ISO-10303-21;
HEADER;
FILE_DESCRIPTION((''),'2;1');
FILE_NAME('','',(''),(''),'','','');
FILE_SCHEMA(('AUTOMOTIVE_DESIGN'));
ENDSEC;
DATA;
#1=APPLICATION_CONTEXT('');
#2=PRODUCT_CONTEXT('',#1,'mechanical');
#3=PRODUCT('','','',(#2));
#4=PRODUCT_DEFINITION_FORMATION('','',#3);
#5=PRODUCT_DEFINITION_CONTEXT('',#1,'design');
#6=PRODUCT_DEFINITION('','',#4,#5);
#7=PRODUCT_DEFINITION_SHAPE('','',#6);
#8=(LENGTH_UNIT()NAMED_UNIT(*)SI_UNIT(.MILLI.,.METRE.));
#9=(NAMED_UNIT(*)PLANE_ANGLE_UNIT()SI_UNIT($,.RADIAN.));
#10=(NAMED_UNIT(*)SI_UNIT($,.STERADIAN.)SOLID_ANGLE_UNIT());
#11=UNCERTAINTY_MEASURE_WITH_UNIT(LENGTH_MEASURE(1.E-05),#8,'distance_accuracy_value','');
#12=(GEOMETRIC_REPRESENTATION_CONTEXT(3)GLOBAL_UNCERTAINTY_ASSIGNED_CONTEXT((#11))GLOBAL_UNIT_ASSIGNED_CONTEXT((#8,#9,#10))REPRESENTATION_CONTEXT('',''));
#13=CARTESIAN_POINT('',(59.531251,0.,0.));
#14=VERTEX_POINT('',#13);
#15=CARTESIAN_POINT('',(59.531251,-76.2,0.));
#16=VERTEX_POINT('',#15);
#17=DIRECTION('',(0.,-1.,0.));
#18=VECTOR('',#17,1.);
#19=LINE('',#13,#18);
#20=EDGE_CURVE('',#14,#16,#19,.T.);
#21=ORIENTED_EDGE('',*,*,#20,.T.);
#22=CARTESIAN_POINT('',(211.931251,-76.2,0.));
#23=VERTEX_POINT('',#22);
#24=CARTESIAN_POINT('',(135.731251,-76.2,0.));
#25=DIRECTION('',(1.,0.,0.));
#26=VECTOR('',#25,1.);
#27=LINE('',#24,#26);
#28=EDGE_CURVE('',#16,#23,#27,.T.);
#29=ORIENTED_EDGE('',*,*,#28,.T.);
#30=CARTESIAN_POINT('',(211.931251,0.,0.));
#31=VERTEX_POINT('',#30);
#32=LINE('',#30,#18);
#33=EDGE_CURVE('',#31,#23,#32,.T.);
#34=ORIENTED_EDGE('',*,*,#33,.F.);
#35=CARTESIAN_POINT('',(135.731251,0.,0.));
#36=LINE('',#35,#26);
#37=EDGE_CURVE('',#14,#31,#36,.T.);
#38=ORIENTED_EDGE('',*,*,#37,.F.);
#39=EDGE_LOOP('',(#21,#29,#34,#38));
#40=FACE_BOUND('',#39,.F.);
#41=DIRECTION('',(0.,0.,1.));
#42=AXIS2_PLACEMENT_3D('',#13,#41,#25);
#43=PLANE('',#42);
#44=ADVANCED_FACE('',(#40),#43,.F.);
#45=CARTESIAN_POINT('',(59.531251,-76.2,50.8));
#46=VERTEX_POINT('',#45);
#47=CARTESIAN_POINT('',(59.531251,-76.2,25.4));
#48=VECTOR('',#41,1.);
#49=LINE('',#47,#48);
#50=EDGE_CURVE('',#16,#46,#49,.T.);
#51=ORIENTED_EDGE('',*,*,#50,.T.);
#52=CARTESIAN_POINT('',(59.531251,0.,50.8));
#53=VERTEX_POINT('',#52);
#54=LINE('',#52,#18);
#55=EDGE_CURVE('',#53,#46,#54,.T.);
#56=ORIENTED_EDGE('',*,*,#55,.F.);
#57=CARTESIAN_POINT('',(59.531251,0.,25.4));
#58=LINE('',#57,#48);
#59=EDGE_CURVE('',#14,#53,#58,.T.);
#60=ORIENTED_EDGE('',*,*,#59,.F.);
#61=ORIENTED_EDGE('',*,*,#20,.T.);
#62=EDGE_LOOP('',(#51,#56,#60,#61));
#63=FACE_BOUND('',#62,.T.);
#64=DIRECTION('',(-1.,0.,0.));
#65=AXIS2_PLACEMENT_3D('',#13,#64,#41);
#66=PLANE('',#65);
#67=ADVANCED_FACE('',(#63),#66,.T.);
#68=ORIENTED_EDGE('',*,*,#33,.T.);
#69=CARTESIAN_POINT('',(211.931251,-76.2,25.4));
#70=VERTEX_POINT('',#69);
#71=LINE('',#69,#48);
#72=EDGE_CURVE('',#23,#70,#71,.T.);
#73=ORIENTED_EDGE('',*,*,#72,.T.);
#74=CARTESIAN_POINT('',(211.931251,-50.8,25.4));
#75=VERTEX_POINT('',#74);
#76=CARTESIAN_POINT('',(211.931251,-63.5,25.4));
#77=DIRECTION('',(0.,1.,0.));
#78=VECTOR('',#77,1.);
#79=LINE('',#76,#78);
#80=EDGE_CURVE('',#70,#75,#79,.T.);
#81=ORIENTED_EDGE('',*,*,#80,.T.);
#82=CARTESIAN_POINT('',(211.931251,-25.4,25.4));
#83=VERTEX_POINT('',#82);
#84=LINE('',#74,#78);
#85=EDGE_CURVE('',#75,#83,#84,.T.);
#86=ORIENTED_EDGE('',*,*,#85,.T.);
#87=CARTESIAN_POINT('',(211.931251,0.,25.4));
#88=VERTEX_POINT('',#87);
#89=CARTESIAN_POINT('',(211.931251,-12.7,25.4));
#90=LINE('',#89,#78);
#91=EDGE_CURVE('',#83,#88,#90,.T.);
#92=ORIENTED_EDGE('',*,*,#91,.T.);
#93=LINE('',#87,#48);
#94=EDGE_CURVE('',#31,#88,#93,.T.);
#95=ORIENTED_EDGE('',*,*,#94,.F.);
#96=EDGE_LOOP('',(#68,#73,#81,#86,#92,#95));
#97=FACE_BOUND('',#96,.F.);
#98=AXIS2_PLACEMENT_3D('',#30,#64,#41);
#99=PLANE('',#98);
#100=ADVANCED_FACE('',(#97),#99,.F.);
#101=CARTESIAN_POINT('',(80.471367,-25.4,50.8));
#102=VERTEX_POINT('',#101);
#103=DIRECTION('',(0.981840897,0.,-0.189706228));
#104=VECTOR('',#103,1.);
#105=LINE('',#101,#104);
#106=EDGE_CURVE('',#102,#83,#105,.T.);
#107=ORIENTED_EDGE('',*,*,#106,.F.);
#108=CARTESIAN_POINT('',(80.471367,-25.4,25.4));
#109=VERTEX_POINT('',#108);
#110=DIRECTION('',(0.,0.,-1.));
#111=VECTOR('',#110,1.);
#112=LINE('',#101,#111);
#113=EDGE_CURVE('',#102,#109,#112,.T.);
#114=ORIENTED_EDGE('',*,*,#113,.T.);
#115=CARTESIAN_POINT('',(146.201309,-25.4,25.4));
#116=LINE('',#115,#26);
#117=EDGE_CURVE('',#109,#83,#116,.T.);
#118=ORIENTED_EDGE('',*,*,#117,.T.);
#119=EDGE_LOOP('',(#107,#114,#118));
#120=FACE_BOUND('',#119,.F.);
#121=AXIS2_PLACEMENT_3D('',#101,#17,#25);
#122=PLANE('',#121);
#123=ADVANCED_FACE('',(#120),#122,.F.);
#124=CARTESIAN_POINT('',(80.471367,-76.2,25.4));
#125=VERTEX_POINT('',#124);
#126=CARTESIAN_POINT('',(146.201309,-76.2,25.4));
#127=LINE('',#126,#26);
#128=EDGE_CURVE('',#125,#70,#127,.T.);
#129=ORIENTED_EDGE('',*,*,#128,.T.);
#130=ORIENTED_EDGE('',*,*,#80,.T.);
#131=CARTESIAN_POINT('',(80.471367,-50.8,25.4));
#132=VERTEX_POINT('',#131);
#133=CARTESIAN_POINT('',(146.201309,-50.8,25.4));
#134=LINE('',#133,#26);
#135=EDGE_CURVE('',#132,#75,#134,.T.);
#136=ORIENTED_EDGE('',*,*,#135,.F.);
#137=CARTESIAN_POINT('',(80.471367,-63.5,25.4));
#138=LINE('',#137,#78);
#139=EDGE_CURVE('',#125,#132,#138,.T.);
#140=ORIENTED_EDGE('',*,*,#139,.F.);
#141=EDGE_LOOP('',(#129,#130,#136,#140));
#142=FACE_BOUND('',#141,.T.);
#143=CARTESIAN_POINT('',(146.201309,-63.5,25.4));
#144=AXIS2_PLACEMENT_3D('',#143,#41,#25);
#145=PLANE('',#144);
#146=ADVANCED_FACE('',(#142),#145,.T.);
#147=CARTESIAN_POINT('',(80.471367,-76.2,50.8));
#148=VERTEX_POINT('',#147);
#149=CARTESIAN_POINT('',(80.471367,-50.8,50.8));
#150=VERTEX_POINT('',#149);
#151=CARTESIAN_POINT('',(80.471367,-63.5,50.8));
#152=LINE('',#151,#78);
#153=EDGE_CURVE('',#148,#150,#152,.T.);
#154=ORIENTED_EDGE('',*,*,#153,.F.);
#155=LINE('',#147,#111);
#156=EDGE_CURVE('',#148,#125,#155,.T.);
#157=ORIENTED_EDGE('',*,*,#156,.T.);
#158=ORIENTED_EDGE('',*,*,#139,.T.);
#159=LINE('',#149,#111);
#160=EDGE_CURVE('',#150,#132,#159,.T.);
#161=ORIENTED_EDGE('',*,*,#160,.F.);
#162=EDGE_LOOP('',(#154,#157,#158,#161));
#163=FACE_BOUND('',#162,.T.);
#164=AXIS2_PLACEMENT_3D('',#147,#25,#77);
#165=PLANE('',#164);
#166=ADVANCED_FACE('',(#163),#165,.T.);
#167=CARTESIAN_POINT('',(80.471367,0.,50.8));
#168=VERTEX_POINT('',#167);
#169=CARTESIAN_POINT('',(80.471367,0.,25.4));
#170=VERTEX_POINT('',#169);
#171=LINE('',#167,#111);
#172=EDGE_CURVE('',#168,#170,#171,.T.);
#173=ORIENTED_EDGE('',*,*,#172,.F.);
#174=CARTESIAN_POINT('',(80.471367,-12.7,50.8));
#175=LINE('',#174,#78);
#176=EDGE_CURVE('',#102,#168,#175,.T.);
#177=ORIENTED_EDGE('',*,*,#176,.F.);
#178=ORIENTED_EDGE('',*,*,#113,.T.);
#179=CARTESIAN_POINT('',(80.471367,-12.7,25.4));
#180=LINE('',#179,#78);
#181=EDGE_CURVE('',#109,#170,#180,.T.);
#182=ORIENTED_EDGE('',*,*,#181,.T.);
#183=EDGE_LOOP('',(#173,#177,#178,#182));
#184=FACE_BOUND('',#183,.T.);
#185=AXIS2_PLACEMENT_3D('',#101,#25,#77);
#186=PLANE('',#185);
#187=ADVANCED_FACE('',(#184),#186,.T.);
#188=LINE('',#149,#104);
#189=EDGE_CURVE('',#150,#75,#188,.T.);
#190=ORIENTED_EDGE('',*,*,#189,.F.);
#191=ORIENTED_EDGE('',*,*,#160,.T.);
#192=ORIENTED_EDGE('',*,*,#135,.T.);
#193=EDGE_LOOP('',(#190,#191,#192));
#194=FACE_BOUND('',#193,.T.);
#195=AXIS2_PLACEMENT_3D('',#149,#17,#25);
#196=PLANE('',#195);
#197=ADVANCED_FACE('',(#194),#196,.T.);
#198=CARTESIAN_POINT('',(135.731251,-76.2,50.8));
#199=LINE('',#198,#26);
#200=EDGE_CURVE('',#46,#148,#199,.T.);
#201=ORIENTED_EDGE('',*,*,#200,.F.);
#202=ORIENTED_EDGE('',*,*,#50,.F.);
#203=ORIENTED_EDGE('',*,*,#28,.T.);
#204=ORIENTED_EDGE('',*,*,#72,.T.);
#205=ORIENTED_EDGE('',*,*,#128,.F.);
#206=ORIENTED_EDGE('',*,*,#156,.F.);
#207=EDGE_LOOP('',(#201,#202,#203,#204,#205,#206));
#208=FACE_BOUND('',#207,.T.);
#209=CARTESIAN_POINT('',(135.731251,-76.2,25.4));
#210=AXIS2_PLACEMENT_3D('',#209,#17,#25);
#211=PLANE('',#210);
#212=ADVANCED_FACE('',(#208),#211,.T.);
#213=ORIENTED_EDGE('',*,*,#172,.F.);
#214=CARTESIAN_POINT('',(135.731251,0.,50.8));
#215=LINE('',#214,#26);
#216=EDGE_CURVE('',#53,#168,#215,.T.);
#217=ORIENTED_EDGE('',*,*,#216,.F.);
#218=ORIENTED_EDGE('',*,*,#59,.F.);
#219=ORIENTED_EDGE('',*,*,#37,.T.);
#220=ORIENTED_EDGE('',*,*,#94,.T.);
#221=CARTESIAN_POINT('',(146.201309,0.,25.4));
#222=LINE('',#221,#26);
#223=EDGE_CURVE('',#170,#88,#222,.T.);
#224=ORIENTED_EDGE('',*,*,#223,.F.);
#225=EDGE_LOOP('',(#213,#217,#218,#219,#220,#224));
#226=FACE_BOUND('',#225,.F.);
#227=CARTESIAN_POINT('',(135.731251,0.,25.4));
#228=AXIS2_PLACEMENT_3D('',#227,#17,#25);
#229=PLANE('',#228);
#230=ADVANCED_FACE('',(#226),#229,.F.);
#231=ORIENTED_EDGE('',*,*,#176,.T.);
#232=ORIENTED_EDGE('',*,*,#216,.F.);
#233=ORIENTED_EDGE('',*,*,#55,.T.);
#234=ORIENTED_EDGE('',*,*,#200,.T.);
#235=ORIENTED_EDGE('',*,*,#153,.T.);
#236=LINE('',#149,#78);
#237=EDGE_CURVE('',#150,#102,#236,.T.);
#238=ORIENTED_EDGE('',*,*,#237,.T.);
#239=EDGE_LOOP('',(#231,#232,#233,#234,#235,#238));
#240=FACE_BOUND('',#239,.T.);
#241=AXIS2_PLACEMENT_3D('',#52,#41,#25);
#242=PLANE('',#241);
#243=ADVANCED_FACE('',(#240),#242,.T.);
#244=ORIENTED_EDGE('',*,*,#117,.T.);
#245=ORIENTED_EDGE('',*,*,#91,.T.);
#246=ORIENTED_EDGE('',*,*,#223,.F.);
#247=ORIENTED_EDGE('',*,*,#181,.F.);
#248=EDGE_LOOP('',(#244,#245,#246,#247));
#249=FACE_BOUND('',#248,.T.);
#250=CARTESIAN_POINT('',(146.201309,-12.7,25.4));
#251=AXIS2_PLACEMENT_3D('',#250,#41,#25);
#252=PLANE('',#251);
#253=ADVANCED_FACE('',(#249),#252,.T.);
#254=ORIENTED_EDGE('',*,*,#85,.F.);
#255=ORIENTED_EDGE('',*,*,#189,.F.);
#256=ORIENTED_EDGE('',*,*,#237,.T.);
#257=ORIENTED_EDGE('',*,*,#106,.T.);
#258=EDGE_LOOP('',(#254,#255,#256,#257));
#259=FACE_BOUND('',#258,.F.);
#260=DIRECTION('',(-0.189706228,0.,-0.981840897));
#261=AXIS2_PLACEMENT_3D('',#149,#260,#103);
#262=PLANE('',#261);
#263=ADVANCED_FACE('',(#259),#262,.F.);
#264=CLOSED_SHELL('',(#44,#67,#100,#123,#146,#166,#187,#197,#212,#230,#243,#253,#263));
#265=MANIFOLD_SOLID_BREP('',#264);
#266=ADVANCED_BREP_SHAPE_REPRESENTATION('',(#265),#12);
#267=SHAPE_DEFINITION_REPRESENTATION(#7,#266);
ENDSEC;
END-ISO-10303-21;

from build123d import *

# Parameters (mm, degrees)
F0_W     = 152.4
F0_H     = 50.8
F1_DEPTH = 76.2
F2_W     = 131.459884
F2_H     = 25.4
F3_DEPTH = 25.4
F4_W     = 131.459884
F4_H     = 25.4
F5_DEPTH = 25.4
F7_DEPTH = 25.4


with BuildPart() as f1:
    # F0 (on Front) → F1 (new body)
    with BuildSketch(Plane.XZ):
        with Locations((135.731251, 25.4)):
            Rectangle(F0_W, F0_H)
    extrude(amount=F1_DEPTH)

    # F2 (on face) → F3 (cut)
    with BuildSketch(Plane.XY.offset(50.8)):
        with Locations((146.201309, -63.5)):
            Rectangle(F2_W, F2_H)
    extrude(amount=-F3_DEPTH, mode=Mode.SUBTRACT)

    # F4 (on face) → F5 (cut)
    with BuildSketch(Plane.XY.offset(50.8)):
        with Locations((146.201309, -12.7)):
            Rectangle(F4_W, F4_H)
    extrude(amount=-F5_DEPTH, mode=Mode.SUBTRACT)

    # F6 (on face) → F7 (cut)
    with BuildSketch(Plane.XZ.offset(50.8)):
        Polygon((211.931251, 50.8), (80.471367, 50.8), (211.931251, 25.4), align=None)
    extrude(amount=-F7_DEPTH, mode=Mode.SUBTRACT)


solid = f1.part
